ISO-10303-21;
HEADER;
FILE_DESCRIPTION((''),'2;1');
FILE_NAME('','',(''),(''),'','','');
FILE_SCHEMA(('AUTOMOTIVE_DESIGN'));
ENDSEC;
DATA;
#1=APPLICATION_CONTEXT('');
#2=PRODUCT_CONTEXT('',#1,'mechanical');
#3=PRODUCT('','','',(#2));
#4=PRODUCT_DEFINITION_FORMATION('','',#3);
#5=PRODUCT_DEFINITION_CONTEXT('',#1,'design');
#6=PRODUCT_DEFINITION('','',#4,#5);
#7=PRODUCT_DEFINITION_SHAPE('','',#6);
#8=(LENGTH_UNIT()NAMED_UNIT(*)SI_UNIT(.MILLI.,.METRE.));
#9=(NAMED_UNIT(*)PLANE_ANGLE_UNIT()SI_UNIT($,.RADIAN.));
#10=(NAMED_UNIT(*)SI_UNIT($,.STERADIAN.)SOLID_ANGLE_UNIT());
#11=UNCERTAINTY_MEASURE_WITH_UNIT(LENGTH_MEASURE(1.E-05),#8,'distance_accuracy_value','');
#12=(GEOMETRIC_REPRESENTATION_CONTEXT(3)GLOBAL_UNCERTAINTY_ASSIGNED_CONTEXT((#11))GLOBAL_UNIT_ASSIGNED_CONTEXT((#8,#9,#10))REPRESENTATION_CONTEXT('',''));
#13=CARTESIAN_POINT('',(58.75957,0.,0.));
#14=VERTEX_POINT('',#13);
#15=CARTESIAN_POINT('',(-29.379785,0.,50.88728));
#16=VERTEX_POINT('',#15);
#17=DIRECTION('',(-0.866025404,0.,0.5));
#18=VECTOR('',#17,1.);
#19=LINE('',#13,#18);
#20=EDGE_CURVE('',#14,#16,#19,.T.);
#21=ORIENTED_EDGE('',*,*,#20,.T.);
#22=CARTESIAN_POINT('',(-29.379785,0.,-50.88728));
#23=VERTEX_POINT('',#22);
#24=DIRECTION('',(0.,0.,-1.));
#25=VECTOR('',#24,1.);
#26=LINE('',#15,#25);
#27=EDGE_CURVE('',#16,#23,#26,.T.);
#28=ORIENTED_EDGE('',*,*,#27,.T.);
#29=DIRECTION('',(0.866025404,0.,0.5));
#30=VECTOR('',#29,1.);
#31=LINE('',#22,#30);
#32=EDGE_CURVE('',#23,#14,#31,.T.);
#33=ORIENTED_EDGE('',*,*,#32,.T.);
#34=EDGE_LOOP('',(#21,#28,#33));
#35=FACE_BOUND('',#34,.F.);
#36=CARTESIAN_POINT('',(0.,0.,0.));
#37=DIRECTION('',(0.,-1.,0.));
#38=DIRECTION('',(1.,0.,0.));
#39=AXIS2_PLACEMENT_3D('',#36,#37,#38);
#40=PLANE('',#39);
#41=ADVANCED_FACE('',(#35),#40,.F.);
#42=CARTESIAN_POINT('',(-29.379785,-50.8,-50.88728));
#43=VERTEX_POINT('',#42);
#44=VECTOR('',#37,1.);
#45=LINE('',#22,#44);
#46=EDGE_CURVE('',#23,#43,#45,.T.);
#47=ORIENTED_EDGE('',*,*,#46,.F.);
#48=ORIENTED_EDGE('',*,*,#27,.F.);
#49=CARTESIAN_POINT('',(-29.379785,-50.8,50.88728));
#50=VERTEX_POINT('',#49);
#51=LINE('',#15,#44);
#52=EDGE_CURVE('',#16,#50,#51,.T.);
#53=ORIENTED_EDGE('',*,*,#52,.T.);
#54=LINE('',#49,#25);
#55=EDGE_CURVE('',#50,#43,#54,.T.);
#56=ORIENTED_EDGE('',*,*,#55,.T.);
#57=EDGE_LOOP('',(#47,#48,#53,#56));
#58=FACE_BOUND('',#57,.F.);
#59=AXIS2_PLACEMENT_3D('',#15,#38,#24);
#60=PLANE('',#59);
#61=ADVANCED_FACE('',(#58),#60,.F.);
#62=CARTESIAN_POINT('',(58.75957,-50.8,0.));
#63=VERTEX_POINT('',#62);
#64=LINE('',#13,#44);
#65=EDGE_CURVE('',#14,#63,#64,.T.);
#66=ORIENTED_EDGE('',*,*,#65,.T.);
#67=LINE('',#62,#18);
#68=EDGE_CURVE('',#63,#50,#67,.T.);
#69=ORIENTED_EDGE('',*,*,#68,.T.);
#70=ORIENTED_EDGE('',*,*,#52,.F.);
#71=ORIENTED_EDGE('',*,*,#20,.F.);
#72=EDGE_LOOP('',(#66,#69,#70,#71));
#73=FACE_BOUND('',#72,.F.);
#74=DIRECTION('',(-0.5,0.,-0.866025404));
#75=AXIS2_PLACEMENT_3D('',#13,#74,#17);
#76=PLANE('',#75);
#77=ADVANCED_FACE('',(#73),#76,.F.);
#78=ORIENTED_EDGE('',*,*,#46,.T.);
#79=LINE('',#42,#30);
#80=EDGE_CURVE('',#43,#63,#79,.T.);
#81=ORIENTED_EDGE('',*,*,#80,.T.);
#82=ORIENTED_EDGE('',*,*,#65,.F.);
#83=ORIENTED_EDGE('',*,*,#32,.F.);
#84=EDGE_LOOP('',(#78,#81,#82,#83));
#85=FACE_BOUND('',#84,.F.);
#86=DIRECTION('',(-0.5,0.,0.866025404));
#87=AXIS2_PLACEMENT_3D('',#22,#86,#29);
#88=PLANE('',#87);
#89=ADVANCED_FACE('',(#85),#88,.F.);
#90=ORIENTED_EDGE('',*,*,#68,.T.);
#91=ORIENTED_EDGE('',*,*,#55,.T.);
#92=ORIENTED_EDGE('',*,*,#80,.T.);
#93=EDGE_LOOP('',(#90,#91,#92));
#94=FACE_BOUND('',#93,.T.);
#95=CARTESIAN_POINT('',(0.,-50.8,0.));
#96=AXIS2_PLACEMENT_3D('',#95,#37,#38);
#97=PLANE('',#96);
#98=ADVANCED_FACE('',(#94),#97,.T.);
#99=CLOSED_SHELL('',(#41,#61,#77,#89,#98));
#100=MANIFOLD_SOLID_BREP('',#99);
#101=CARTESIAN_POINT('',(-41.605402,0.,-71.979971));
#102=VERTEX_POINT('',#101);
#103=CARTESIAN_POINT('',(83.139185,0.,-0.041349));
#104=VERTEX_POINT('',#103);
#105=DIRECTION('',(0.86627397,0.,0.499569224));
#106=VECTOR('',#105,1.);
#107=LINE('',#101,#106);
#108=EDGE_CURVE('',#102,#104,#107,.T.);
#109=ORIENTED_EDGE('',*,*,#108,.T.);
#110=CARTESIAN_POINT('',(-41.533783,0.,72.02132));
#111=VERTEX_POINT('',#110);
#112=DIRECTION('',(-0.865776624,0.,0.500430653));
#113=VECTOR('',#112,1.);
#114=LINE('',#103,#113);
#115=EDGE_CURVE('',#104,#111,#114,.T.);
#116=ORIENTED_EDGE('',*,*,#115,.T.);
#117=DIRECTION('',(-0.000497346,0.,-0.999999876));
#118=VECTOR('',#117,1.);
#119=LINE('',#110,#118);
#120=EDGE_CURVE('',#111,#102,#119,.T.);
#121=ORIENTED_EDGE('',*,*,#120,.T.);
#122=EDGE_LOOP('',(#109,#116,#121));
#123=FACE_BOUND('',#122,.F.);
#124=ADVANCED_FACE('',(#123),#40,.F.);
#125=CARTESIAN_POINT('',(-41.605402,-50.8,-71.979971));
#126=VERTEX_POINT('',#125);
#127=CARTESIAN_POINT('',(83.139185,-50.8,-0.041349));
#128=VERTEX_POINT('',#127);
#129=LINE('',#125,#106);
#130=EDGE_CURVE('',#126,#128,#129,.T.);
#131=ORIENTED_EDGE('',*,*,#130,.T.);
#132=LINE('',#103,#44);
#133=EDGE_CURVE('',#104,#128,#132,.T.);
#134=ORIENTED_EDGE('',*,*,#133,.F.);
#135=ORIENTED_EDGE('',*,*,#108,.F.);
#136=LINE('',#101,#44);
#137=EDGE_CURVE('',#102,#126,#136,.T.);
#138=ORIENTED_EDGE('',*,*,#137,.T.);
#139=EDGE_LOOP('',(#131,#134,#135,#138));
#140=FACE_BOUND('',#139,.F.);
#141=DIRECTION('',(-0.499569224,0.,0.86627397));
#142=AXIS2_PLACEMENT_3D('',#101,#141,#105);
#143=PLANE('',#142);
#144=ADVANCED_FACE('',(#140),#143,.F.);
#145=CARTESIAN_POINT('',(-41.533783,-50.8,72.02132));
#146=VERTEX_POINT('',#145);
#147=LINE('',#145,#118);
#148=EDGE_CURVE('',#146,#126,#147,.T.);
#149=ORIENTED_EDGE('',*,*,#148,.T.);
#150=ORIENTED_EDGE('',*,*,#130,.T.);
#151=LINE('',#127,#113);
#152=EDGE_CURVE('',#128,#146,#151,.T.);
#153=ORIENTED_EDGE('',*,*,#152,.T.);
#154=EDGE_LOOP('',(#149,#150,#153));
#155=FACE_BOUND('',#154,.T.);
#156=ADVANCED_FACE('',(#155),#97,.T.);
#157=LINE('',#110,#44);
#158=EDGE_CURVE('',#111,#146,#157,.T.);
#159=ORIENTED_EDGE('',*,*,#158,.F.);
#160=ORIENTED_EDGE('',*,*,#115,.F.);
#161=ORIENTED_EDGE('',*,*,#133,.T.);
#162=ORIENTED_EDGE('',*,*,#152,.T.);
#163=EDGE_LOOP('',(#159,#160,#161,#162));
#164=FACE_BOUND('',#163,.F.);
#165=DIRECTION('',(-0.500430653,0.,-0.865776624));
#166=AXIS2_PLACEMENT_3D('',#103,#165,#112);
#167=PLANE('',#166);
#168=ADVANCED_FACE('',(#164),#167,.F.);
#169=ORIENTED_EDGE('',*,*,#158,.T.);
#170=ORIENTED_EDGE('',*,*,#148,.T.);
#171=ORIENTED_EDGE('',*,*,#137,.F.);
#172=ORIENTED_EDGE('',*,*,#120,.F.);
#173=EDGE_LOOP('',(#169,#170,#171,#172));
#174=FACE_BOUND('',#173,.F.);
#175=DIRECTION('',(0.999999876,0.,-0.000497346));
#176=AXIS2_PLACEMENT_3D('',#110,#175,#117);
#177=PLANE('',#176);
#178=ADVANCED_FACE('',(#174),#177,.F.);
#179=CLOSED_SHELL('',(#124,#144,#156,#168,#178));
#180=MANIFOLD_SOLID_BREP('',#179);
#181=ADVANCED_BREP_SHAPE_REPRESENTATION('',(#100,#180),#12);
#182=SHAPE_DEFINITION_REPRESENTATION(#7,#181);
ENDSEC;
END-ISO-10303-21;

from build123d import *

# Parameters (mm, degrees)
F2_DEPTH = 50.8


with BuildPart() as f2:
    # F1 (on Front) → F2 (new body)
    with BuildSketch(Plane.XZ):
        Polygon((-29.3797850609, 50.8872804409), (-29.3797850609, -50.8872804409), (58.7595701218, 0), align=None)
    extrude(amount=F2_DEPTH)


with BuildPart() as f2b:
    # F0 (on Front) → F2, piece 2 (new body)
    with BuildSketch(Plane.XZ):
        Polygon((-41.6054015953, -71.9799714921), (83.1391846735, -0.0413489701), (-41.5337830782, 72.0213204622), align=None)
    extrude(amount=F2_DEPTH)


solid = Compound([f2.part, f2b.part])
